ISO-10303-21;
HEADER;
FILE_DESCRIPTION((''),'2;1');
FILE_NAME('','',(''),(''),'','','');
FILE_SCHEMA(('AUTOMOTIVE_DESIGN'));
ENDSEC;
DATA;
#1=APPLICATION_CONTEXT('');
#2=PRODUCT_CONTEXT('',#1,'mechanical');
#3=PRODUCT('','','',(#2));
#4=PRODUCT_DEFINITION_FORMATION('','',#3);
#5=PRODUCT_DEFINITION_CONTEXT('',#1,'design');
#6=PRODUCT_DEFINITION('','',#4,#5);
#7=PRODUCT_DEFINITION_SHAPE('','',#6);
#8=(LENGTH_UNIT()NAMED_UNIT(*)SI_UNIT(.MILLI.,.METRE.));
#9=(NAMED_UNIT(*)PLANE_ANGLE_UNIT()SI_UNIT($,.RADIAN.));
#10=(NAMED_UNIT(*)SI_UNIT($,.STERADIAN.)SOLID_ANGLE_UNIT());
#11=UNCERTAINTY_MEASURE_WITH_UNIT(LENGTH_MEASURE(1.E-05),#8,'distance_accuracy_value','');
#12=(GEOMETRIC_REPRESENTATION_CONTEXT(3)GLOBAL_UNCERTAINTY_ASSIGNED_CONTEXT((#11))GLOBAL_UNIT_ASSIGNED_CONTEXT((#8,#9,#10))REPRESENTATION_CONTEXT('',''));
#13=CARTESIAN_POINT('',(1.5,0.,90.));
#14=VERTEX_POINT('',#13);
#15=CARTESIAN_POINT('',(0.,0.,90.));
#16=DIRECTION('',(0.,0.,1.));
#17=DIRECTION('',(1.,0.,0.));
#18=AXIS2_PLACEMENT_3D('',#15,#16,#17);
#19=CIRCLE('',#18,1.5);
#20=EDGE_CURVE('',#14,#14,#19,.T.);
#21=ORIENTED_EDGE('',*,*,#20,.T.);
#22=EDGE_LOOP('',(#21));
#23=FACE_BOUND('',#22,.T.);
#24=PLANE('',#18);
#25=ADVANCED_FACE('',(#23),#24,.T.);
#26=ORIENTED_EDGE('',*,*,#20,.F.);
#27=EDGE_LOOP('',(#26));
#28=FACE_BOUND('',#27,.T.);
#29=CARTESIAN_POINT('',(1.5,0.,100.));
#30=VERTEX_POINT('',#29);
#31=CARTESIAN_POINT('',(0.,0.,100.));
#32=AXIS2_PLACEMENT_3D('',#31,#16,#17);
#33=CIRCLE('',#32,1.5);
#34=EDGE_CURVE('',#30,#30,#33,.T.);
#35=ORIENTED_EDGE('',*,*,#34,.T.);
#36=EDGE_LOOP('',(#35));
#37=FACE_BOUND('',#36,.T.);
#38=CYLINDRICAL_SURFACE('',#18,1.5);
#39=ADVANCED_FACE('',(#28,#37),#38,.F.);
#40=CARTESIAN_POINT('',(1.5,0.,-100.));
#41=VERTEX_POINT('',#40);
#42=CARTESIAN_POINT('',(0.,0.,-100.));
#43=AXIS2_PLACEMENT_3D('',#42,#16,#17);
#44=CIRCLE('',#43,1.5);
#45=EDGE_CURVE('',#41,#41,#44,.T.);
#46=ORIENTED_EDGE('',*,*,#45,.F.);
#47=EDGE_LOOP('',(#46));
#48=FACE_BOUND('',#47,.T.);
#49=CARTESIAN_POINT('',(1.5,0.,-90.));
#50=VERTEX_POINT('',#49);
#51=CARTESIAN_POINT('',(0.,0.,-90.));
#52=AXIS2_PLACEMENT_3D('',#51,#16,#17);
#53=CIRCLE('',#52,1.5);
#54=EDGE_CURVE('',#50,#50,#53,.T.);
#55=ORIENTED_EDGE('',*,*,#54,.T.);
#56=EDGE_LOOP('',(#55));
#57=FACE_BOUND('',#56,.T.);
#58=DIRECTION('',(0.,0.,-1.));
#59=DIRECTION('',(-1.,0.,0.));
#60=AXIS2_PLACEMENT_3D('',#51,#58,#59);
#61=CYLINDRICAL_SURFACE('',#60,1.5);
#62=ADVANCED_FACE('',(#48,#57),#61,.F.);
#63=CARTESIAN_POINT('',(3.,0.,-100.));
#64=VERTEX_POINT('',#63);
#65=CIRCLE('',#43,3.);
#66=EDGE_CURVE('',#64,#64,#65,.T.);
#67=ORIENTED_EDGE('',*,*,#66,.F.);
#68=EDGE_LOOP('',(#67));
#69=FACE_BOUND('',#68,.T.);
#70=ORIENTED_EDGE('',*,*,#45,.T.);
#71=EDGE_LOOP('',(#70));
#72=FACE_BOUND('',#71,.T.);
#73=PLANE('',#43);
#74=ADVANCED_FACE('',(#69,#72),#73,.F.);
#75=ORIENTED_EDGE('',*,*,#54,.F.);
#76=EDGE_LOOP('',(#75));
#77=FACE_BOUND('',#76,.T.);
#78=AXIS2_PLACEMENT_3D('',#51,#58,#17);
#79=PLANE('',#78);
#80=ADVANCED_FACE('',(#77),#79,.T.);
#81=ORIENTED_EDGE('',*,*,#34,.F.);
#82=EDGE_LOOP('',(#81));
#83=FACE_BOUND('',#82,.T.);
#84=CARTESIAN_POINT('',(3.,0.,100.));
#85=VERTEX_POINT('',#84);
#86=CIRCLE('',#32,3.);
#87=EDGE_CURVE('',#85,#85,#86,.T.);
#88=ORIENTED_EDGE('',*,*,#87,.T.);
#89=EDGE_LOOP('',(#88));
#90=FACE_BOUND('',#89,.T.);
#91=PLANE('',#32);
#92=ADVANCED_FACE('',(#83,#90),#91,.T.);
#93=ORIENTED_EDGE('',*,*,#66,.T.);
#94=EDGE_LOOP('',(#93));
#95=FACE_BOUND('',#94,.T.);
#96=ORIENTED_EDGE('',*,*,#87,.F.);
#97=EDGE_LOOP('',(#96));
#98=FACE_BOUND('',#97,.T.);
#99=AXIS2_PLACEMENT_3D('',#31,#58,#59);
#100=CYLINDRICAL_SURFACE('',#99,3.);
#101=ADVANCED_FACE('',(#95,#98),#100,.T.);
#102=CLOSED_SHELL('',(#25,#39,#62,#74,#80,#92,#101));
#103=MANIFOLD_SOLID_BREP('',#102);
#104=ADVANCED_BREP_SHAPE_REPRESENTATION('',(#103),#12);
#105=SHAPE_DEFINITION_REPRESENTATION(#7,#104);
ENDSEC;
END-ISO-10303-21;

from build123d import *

# Parameters (mm, degrees)
SKETCH1_R           = 3
BOSS_EXTRUDE1_DEPTH = 100
SKETCH2_R           = 1.5
CUT_EXTRUDE1_DEPTH  = 10


with BuildPart() as part:
    # Sketch1 → Boss-Extrude1 (new, symmetric)
    with BuildSketch(Plane.XY):
        Circle(SKETCH1_R)
    extrude(amount=BOSS_EXTRUDE1_DEPTH, both=True)

    # Sketch2 → Cut-Extrude1 (cut)
    with BuildSketch(Plane.XY.offset(100)):
        Circle(SKETCH2_R)
    cut_extrude1 = extrude(amount=-CUT_EXTRUDE1_DEPTH, mode=Mode.SUBTRACT)

    # Mirror1: Cut-Extrude1 across plane
    add(cut_extrude1.mirror(Plane.XY), mode=Mode.SUBTRACT)


solid = part.part
